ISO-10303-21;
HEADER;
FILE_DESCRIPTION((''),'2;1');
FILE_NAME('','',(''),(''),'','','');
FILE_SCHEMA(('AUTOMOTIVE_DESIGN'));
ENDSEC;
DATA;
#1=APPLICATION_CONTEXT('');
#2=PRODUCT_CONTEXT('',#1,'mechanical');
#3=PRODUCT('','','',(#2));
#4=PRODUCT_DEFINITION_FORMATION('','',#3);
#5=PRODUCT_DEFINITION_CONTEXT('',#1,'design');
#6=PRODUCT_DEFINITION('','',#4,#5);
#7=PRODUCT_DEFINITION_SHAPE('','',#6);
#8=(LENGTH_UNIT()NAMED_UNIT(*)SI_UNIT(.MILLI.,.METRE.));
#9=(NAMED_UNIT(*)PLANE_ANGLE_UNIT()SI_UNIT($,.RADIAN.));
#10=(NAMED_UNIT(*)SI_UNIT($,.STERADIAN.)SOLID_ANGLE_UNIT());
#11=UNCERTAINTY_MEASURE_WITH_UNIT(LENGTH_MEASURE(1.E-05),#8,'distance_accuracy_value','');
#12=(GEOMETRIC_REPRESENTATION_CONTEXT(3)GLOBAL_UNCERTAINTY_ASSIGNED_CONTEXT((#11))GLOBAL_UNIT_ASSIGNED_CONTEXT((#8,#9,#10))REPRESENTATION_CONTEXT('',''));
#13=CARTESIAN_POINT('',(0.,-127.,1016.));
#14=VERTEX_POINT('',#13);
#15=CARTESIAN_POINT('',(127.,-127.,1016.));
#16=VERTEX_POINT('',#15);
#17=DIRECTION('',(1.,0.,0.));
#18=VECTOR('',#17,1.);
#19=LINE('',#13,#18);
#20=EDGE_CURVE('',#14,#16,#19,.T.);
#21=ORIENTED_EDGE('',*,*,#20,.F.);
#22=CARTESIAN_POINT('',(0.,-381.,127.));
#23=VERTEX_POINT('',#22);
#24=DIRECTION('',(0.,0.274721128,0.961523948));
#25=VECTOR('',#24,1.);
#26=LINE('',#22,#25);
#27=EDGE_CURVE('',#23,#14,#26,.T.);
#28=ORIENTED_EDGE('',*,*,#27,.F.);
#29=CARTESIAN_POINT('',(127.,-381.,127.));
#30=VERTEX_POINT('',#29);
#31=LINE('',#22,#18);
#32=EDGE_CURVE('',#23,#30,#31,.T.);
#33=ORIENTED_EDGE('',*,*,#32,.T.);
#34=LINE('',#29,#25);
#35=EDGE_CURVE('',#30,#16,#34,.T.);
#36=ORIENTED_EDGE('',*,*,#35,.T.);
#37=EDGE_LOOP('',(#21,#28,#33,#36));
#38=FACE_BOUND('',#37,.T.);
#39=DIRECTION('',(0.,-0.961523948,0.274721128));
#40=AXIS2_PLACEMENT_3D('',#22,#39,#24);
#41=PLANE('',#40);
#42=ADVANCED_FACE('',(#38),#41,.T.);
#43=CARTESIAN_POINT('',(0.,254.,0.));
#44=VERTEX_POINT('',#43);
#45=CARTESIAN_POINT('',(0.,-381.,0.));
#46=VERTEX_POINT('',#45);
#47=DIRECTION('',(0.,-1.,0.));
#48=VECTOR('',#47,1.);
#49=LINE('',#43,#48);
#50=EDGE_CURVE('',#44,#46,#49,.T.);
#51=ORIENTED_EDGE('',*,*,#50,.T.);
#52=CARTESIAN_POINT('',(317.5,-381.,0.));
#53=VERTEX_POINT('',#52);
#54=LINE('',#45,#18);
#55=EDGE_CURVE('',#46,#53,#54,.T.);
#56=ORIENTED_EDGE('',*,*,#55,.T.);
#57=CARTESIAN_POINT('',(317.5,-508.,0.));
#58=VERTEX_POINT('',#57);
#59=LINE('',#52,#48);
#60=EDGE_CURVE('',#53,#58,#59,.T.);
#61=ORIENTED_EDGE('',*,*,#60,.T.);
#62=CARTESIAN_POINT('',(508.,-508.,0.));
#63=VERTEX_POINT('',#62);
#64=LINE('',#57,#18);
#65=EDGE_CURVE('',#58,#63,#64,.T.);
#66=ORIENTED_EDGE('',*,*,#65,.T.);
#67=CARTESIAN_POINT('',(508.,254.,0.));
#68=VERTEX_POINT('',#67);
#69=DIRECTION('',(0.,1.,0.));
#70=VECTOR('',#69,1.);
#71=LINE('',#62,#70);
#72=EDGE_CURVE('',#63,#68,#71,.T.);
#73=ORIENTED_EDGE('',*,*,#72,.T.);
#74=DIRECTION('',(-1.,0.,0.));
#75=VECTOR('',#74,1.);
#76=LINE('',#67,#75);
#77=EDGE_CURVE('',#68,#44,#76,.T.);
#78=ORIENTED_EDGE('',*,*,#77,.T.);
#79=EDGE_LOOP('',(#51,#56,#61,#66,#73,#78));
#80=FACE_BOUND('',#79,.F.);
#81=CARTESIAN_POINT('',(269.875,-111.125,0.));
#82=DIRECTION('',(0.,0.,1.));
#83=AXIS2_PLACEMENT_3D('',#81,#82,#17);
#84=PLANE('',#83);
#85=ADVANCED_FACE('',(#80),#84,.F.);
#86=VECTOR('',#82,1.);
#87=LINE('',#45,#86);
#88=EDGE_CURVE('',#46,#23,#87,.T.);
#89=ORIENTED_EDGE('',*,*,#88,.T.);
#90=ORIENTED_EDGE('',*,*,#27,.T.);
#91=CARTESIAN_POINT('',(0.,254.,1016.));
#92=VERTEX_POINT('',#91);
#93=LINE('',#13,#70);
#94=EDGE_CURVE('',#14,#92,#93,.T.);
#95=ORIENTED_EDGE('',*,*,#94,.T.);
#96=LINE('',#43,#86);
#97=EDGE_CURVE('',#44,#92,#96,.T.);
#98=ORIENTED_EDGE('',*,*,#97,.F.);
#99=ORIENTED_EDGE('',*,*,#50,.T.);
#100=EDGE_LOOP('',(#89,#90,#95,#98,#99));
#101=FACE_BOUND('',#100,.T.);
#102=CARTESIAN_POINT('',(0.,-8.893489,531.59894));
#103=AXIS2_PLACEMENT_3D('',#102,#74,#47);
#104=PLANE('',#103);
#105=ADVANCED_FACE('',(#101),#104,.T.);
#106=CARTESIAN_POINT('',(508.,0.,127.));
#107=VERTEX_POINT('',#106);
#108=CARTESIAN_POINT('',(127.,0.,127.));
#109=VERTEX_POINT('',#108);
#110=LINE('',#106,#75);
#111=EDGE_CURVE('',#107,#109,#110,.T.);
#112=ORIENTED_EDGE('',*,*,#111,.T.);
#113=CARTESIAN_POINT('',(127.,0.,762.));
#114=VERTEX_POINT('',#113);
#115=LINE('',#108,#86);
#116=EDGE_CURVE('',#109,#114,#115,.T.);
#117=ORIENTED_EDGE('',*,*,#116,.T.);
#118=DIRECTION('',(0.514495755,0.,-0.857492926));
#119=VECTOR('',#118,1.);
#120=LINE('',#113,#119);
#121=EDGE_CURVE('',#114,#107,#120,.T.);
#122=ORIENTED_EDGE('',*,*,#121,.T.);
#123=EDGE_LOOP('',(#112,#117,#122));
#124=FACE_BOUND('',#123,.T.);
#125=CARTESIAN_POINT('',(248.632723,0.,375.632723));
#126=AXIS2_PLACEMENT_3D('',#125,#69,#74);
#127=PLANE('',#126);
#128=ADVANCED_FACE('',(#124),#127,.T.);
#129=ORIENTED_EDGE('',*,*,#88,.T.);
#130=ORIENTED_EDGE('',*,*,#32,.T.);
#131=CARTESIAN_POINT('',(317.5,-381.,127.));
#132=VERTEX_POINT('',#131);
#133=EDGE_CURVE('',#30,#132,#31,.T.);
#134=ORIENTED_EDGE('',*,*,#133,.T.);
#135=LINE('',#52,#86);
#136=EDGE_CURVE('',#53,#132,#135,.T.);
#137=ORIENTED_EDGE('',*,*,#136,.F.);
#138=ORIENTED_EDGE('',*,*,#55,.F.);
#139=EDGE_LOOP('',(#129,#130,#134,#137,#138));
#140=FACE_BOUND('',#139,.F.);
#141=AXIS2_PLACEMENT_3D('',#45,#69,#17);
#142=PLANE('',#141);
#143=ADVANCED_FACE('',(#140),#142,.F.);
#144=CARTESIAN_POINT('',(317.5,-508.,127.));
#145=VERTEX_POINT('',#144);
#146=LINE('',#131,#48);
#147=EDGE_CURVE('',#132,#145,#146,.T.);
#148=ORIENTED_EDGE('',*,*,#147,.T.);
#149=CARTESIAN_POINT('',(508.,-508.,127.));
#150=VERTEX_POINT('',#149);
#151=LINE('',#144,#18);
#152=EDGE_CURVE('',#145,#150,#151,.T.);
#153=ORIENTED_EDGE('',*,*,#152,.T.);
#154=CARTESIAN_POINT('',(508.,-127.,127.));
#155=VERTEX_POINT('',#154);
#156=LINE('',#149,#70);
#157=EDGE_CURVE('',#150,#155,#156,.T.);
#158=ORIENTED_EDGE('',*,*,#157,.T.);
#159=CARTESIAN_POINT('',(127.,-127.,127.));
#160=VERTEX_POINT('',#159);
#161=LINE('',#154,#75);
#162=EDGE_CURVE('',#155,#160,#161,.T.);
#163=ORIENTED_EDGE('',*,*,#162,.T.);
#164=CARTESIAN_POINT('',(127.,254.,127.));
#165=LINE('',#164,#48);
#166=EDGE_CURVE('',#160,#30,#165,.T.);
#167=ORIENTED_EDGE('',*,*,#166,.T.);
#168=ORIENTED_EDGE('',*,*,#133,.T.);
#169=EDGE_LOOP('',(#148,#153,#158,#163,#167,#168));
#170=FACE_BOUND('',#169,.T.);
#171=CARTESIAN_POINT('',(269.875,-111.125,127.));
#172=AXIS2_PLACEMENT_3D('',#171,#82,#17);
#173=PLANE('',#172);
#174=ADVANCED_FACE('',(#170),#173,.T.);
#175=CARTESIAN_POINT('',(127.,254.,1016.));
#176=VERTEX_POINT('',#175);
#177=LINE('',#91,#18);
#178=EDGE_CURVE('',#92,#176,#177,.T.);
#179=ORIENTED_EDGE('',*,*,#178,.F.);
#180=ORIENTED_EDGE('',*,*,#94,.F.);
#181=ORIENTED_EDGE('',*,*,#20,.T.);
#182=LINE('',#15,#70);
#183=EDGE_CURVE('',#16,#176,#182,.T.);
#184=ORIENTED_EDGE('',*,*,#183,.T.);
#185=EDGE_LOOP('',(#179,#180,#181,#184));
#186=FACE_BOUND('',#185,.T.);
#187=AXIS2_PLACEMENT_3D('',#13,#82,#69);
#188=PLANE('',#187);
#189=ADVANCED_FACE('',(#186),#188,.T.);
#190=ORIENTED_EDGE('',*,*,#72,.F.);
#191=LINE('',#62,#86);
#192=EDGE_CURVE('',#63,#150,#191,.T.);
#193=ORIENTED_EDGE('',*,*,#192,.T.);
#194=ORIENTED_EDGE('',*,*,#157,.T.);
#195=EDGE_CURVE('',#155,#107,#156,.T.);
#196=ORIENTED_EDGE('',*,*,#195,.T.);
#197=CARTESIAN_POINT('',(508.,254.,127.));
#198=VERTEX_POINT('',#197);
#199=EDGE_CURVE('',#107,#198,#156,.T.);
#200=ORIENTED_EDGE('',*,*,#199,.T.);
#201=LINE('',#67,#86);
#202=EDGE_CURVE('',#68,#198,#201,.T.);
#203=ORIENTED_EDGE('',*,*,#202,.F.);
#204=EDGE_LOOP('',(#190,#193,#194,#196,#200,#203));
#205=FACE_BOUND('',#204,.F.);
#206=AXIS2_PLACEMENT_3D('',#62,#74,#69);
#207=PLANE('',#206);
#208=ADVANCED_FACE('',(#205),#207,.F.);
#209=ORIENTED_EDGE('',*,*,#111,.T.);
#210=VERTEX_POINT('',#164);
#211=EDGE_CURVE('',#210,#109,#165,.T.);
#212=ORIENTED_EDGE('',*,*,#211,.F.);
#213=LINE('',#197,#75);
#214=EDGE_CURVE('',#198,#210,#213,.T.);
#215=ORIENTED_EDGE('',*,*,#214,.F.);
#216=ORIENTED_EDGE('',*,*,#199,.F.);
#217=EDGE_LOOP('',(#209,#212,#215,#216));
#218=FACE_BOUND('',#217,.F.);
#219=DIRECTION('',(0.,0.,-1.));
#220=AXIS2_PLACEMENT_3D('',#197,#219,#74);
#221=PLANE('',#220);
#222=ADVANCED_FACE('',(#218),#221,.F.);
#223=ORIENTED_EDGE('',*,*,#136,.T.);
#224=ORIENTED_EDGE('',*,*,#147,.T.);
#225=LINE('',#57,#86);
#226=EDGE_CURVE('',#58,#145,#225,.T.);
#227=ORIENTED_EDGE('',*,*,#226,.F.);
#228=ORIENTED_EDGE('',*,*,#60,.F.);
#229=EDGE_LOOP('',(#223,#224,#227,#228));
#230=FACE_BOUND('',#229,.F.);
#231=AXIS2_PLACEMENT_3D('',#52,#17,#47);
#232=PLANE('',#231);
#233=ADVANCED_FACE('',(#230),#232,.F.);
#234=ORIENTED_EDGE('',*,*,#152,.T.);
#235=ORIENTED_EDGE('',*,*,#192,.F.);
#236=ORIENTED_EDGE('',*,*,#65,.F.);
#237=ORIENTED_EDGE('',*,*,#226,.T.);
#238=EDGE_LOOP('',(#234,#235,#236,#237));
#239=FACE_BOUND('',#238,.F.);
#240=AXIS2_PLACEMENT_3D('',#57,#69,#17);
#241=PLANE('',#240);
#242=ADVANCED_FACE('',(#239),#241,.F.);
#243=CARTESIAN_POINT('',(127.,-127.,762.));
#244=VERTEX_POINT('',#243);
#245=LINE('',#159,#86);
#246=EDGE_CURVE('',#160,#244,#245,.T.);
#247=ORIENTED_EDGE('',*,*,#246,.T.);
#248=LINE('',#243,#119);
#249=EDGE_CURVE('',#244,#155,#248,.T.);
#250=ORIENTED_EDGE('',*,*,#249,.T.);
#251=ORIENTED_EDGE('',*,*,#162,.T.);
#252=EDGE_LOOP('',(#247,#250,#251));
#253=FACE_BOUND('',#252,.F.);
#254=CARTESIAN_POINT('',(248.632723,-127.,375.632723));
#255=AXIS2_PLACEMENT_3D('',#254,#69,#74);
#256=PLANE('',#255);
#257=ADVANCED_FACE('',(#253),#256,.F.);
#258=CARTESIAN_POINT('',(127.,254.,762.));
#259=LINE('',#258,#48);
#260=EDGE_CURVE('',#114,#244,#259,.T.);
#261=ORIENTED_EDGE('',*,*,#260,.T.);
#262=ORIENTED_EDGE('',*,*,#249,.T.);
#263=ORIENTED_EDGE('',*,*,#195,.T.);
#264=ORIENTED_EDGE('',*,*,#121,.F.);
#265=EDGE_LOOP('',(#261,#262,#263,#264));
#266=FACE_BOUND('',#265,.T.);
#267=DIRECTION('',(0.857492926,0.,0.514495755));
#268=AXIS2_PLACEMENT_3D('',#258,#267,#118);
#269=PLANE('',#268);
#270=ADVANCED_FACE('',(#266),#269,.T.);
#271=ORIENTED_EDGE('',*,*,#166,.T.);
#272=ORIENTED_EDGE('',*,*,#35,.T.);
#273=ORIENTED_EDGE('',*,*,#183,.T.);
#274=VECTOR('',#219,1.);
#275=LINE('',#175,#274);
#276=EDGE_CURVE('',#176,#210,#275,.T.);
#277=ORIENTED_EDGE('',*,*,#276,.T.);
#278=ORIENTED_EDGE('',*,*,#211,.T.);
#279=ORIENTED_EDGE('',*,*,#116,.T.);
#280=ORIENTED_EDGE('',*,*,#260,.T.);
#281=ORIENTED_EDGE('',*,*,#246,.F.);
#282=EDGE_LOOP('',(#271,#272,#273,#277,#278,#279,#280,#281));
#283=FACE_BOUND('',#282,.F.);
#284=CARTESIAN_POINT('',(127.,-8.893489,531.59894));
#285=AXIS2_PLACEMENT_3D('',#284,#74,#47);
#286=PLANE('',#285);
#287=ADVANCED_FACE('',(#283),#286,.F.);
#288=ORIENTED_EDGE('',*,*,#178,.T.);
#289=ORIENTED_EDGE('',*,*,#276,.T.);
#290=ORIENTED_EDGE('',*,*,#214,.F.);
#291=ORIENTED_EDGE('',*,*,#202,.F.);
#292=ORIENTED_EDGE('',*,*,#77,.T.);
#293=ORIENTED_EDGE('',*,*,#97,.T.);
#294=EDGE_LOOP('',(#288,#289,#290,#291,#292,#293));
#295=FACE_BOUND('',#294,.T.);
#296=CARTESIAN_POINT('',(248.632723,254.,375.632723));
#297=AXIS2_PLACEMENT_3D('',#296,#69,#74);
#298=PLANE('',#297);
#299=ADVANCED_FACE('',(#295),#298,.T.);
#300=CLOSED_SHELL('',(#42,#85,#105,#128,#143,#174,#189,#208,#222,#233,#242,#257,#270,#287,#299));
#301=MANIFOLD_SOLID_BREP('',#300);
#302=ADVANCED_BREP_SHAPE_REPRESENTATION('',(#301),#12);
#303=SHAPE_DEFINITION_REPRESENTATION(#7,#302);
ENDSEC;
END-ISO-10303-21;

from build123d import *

# Parameters (mm, degrees)
F1_DEPTH = 127
F3_DEPTH = 127
F5_DEPTH = 381
F6_DEPTH = 254


with BuildPart() as f1:
    # F0 (on Top) → F1 (new body)
    with BuildSketch(Plane.XY):
        Polygon((508, 254), (0, 254), (0, -381), (317.5, -381), (317.5, -508), (508, -508), align=None)
    extrude(amount=F1_DEPTH)

    # F2 (on face) → F3 (join)
    with BuildSketch(Plane(origin=(0, 0, 0), x_dir=(0, -1, 0), z_dir=(-1, 0, 0))):
        Polygon((-254, 1016), (-254, 127), (381, 127), (127, 1016), align=None)
    extrude(amount=-F3_DEPTH)

    # F4 (on face) → F5 (join)
    with BuildSketch(Plane(origin=(0, 254, 0), x_dir=(-1, 0, 0), z_dir=(0, 1, 0))):
        Polygon((-508, 127), (-127, 127), (-127, 762), align=None)
    extrude(amount=-F5_DEPTH)

    # F4 (on face) → F6 (cut)
    with BuildSketch(Plane(origin=(0, 254, 0), x_dir=(-1, 0, 0), z_dir=(0, 1, 0))):
        Polygon((-508, 127), (-127, 127), (-127, 762), align=None)
    extrude(amount=-F6_DEPTH, mode=Mode.SUBTRACT)


solid = f1.part
